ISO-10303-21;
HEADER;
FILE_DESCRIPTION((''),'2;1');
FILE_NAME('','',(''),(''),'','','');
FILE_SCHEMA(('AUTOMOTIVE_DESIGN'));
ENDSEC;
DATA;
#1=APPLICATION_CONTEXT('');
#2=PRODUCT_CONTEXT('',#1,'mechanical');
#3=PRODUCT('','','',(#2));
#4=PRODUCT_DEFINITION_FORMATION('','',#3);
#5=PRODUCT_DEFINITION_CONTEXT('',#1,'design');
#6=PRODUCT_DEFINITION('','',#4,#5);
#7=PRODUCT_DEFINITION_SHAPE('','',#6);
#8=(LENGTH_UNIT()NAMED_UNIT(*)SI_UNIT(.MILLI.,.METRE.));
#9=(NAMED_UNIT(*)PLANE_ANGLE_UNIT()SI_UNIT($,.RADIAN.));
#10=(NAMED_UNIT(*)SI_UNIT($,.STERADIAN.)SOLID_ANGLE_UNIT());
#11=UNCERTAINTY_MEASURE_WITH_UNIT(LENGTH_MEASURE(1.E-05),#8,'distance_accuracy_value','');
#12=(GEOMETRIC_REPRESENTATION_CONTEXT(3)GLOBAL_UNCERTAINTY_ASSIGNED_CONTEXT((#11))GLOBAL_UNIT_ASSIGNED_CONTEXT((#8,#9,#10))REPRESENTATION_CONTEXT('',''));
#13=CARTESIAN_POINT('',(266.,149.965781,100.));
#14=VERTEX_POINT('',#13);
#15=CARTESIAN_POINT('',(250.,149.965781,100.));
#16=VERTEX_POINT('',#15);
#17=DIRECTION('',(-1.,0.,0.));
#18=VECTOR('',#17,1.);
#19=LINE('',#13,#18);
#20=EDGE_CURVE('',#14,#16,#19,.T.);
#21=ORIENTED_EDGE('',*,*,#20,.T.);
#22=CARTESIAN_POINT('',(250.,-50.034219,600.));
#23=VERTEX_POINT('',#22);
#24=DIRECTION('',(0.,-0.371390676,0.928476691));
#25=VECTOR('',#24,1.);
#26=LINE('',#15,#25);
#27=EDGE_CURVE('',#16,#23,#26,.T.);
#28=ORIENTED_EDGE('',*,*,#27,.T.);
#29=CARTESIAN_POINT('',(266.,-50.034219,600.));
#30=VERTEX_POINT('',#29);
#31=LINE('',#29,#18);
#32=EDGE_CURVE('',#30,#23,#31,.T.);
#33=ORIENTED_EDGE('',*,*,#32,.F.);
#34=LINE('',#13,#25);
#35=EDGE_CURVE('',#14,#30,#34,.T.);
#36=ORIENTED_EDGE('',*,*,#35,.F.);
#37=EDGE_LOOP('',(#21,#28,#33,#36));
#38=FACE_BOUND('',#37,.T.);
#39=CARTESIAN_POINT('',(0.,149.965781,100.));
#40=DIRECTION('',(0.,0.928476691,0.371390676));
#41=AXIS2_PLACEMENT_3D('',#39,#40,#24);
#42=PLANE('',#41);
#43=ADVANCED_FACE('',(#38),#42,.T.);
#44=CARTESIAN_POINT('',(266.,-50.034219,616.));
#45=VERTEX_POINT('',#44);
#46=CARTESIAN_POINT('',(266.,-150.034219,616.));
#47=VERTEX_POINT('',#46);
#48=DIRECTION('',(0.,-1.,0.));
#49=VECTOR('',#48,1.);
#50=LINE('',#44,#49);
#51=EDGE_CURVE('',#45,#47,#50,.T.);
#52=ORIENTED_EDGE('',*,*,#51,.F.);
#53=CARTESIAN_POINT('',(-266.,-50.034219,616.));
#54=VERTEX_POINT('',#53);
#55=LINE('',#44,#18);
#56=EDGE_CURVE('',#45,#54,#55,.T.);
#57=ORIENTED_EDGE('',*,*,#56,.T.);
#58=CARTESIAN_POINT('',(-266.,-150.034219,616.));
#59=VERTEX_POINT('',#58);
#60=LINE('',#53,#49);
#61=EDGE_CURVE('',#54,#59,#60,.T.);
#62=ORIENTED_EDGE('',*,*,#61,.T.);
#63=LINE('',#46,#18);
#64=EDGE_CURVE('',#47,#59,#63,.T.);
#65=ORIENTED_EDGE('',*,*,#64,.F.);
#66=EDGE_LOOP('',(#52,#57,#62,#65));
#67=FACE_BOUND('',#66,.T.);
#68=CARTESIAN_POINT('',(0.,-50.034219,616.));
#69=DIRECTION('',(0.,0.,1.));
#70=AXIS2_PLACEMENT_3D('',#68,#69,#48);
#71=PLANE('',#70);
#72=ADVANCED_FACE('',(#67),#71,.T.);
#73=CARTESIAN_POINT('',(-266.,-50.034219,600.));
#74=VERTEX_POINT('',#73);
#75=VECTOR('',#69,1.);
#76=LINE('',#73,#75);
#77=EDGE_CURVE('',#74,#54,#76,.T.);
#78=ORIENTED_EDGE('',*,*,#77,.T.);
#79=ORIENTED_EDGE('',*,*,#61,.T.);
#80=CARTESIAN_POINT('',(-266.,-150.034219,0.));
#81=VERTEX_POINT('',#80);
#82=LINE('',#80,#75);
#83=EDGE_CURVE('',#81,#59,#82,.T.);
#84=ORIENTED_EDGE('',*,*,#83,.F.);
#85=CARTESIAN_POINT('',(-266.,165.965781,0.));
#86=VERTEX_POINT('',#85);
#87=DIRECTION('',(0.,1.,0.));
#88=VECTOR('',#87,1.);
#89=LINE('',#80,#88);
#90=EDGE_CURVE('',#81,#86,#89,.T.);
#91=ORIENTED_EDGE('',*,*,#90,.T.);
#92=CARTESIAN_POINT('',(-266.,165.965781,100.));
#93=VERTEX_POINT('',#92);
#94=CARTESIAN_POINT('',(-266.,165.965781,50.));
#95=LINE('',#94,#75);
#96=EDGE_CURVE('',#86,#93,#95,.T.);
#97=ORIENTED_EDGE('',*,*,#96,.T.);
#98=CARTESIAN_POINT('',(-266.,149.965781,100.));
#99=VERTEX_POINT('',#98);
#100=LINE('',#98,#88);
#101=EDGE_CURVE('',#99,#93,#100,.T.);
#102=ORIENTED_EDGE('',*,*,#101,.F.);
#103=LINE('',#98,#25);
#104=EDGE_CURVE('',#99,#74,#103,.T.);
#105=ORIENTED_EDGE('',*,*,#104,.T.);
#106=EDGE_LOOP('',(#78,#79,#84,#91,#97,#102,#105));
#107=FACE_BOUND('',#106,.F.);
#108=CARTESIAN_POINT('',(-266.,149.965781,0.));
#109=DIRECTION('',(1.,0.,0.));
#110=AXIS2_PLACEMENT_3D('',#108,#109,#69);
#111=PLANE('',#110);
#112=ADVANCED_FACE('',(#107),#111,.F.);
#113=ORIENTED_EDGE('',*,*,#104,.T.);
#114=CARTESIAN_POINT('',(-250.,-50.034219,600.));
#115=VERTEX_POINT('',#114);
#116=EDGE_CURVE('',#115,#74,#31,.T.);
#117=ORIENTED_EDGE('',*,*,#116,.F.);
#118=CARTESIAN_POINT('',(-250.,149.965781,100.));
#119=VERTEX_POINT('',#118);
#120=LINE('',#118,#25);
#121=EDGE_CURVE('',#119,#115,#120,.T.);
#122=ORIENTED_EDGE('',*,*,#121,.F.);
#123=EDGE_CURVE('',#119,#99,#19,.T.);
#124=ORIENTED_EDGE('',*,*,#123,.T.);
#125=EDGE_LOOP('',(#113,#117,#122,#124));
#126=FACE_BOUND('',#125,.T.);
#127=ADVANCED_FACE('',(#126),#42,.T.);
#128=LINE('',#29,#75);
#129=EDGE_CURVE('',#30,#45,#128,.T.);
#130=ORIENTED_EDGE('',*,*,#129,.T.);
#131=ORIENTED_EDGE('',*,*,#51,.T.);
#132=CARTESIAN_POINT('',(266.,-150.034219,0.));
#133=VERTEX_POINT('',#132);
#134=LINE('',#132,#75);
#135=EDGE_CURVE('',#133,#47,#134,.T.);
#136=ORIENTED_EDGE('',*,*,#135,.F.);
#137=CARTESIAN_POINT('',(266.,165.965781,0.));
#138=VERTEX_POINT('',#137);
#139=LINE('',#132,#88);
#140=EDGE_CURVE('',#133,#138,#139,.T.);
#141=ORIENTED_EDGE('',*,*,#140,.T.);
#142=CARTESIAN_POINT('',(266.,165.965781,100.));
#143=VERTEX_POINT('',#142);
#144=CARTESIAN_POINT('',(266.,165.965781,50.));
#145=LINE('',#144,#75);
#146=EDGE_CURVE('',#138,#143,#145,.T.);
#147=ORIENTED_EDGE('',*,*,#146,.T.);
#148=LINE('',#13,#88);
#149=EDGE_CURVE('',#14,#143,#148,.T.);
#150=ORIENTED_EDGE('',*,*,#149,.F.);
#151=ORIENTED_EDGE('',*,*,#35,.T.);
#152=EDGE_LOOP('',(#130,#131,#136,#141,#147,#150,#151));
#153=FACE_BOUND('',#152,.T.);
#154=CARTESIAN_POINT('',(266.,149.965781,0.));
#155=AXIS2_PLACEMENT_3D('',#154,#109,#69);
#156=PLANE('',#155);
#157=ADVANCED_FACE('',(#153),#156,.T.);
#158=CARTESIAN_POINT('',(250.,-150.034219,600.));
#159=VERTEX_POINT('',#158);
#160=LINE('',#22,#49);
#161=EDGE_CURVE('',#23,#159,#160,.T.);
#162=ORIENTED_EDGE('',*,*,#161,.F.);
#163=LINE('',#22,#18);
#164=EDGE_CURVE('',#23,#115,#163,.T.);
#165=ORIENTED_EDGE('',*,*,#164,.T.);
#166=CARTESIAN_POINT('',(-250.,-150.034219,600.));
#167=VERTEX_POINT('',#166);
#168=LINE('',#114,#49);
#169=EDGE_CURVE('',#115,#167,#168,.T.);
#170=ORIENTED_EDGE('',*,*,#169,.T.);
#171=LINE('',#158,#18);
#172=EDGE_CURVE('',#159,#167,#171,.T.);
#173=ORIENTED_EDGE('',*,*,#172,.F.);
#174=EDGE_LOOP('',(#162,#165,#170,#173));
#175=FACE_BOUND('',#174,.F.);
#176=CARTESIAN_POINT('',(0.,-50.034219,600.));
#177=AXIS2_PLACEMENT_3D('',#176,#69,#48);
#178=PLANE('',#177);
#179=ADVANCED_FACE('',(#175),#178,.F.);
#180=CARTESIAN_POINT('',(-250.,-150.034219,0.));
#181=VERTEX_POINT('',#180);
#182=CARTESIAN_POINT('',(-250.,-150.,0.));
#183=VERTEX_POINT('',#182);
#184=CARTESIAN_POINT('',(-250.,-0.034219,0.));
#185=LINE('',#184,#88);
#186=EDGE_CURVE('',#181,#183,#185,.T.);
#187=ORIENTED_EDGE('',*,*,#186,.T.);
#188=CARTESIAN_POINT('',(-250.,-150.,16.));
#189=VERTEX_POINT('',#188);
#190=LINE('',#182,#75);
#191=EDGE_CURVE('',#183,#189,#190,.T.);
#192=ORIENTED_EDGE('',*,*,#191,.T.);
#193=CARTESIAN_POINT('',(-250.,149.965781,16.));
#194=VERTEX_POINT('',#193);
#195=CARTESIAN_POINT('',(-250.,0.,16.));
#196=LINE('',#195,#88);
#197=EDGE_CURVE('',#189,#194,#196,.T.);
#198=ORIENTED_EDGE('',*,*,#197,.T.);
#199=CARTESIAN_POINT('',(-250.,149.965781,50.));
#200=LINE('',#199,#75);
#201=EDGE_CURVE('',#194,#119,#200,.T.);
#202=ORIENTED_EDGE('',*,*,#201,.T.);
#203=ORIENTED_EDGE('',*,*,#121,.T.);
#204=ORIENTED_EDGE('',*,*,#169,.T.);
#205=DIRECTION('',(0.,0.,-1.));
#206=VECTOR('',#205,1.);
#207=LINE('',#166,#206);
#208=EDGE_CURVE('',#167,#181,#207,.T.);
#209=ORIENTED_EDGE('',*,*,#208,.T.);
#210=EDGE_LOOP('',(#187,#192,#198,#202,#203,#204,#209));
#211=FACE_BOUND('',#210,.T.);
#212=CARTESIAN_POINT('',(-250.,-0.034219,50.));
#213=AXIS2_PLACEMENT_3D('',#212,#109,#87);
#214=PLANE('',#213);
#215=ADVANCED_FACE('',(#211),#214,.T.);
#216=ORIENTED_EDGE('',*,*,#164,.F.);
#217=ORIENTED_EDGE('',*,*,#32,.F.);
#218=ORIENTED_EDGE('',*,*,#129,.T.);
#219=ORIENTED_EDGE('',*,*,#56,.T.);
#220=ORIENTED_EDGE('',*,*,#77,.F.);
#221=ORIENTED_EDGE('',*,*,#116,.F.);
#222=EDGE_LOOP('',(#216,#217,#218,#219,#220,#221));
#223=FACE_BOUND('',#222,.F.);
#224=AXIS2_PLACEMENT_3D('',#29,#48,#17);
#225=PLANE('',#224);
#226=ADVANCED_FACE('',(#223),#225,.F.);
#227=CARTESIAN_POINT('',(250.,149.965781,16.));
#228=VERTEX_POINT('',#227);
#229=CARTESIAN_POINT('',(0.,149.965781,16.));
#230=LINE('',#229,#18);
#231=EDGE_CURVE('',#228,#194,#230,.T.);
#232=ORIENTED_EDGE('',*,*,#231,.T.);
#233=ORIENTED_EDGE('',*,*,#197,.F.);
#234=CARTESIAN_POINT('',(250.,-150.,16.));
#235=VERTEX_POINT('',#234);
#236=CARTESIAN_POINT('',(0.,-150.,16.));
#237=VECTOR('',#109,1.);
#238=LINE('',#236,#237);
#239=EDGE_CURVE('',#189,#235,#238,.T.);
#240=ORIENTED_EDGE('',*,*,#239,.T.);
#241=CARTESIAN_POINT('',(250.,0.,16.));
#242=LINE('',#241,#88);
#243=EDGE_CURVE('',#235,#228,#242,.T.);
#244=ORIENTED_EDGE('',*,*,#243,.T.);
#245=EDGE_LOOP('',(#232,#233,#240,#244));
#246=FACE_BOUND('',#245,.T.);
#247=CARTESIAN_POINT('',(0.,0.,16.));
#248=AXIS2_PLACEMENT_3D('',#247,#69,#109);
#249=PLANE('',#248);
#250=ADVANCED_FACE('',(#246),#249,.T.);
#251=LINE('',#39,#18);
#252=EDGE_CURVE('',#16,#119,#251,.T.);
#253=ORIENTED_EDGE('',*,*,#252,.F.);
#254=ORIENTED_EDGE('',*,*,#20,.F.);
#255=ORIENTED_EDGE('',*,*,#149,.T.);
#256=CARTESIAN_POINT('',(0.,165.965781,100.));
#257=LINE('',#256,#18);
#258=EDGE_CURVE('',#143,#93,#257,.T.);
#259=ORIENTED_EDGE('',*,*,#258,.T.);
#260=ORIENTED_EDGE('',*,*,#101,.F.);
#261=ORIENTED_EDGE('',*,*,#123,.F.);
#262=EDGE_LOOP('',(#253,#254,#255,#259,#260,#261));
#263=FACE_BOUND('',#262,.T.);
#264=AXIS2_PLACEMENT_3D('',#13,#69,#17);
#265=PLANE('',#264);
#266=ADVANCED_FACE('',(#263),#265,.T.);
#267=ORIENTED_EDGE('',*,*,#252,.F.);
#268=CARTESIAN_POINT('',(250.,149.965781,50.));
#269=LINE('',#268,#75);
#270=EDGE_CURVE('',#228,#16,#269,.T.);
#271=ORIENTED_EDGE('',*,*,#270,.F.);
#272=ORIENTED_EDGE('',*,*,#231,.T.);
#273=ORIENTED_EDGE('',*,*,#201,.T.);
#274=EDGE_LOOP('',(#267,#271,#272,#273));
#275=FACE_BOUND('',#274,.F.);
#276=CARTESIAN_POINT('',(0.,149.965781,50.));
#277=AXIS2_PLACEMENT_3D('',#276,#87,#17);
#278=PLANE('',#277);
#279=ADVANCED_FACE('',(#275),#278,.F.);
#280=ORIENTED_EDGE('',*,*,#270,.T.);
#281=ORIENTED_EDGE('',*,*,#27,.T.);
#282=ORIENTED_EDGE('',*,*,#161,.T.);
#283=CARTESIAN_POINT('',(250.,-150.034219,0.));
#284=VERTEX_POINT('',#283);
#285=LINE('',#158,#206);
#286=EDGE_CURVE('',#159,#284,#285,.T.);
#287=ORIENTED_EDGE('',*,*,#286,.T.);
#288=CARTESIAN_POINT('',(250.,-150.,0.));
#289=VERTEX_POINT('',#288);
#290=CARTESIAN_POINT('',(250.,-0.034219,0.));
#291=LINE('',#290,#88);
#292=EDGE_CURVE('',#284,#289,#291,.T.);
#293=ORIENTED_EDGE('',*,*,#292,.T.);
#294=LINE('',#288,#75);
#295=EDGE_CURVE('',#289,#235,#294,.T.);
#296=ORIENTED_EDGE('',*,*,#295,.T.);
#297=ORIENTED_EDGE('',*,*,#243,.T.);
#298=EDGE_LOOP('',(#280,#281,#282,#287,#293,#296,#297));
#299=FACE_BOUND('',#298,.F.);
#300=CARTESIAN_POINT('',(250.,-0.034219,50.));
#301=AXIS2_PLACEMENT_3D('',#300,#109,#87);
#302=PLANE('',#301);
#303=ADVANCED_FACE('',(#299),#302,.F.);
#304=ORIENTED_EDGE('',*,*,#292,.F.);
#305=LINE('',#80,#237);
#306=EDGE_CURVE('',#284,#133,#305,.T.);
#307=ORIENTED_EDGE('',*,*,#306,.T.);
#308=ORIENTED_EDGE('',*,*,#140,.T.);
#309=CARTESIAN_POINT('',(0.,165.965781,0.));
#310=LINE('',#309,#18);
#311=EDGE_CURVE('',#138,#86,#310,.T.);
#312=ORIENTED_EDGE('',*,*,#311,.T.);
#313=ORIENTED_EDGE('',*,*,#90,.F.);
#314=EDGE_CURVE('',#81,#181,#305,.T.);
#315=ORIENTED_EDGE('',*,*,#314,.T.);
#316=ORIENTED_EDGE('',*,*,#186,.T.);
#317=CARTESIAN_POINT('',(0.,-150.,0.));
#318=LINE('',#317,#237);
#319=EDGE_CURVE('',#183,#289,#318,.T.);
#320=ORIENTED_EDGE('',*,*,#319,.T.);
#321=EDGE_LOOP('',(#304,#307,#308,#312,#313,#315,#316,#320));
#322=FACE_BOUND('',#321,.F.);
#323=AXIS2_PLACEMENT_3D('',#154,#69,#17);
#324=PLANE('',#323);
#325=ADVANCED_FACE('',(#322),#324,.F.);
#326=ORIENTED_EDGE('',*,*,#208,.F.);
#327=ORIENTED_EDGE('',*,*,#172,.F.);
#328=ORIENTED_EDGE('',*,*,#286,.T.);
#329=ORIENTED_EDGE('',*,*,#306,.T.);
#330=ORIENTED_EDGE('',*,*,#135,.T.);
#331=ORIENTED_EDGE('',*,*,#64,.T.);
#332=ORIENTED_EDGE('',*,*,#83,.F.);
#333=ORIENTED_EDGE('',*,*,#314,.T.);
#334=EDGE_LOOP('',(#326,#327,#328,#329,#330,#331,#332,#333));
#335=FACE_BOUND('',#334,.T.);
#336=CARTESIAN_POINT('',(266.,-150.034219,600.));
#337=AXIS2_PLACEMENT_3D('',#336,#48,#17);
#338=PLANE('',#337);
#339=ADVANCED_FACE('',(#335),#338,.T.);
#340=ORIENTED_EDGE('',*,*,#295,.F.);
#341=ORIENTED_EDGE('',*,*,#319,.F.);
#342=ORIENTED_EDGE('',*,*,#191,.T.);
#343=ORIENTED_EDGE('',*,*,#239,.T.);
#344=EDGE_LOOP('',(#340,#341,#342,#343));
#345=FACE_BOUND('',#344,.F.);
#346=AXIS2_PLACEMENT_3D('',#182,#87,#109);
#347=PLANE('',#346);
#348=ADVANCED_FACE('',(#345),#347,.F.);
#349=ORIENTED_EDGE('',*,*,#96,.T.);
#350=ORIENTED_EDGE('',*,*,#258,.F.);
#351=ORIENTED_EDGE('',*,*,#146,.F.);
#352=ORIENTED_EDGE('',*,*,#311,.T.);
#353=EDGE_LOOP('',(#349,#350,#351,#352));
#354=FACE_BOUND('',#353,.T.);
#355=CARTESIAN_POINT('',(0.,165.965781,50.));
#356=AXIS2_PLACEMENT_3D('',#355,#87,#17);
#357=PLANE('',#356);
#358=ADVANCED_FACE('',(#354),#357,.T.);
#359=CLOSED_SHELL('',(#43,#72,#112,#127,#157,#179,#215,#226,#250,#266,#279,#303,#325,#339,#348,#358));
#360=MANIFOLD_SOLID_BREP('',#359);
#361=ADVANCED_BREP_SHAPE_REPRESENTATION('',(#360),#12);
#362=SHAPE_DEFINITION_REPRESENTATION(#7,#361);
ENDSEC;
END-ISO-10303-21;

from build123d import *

# Parameters (mm, degrees)
F0_W     = 500
F0_H     = 300
F1_DEPTH = 16
F2_W     = 300
F2_H     = 100
F3_DEPTH = 266
F4_DEPTH = 16
F5_DEPTH = 250
F6_DEPTH = 16
F7_W     = 532
F7_H     = 100
F8_DEPTH = 16


with BuildPart() as f1:
    # F0 (on Top) → F1 (new body)
    with BuildSketch(Plane.XY):
        Rectangle(F0_W, F0_H)
    extrude(amount=F1_DEPTH)

    # F2 (on Right) → F3 (join, symmetric)
    with BuildSketch(Plane.YZ):
        Polygon((-150.0342194658, 600), (-150.0342194658, 100), (149.9657805342, 100), (-50.0342194658, 600), align=None)
        with Locations((-0.0342194658, 50)):
            Rectangle(F2_W, F2_H)
    extrude(amount=F3_DEPTH, both=True)

    # F4 (add): a face of the model
    f4_faces = [f1.faces().sort_by_distance(p)[0] for p in [
        (0, -100.0342194658, 600),
    ]]
    extrude(f4_faces, amount=F4_DEPTH)

    # F2 (on Right) → F5 (cut, symmetric)
    with BuildSketch(Plane.YZ):
        with Locations((-0.0342194658, 50)):
            Rectangle(F2_W, F2_H)
        Polygon((-150.0342194658, 600), (-150.0342194658, 100), (149.9657805342, 100), (-50.0342194658, 600), align=None)
    extrude(amount=F5_DEPTH, both=True, mode=Mode.SUBTRACT)

    # F0 (on Top) → F6 (join)
    with BuildSketch(Plane.XY):
        Rectangle(F0_W, F0_H)
    extrude(amount=F6_DEPTH)

    # F7 (on face) → F8 (join)
    with BuildSketch(Plane(origin=(0, 149.9657805342, 0), x_dir=(-1, 0, 0), z_dir=(0, 1, 0))):
        with Locations((0, 50)):
            Rectangle(F7_W, F7_H)
    extrude(amount=F8_DEPTH)


solid = f1.part
